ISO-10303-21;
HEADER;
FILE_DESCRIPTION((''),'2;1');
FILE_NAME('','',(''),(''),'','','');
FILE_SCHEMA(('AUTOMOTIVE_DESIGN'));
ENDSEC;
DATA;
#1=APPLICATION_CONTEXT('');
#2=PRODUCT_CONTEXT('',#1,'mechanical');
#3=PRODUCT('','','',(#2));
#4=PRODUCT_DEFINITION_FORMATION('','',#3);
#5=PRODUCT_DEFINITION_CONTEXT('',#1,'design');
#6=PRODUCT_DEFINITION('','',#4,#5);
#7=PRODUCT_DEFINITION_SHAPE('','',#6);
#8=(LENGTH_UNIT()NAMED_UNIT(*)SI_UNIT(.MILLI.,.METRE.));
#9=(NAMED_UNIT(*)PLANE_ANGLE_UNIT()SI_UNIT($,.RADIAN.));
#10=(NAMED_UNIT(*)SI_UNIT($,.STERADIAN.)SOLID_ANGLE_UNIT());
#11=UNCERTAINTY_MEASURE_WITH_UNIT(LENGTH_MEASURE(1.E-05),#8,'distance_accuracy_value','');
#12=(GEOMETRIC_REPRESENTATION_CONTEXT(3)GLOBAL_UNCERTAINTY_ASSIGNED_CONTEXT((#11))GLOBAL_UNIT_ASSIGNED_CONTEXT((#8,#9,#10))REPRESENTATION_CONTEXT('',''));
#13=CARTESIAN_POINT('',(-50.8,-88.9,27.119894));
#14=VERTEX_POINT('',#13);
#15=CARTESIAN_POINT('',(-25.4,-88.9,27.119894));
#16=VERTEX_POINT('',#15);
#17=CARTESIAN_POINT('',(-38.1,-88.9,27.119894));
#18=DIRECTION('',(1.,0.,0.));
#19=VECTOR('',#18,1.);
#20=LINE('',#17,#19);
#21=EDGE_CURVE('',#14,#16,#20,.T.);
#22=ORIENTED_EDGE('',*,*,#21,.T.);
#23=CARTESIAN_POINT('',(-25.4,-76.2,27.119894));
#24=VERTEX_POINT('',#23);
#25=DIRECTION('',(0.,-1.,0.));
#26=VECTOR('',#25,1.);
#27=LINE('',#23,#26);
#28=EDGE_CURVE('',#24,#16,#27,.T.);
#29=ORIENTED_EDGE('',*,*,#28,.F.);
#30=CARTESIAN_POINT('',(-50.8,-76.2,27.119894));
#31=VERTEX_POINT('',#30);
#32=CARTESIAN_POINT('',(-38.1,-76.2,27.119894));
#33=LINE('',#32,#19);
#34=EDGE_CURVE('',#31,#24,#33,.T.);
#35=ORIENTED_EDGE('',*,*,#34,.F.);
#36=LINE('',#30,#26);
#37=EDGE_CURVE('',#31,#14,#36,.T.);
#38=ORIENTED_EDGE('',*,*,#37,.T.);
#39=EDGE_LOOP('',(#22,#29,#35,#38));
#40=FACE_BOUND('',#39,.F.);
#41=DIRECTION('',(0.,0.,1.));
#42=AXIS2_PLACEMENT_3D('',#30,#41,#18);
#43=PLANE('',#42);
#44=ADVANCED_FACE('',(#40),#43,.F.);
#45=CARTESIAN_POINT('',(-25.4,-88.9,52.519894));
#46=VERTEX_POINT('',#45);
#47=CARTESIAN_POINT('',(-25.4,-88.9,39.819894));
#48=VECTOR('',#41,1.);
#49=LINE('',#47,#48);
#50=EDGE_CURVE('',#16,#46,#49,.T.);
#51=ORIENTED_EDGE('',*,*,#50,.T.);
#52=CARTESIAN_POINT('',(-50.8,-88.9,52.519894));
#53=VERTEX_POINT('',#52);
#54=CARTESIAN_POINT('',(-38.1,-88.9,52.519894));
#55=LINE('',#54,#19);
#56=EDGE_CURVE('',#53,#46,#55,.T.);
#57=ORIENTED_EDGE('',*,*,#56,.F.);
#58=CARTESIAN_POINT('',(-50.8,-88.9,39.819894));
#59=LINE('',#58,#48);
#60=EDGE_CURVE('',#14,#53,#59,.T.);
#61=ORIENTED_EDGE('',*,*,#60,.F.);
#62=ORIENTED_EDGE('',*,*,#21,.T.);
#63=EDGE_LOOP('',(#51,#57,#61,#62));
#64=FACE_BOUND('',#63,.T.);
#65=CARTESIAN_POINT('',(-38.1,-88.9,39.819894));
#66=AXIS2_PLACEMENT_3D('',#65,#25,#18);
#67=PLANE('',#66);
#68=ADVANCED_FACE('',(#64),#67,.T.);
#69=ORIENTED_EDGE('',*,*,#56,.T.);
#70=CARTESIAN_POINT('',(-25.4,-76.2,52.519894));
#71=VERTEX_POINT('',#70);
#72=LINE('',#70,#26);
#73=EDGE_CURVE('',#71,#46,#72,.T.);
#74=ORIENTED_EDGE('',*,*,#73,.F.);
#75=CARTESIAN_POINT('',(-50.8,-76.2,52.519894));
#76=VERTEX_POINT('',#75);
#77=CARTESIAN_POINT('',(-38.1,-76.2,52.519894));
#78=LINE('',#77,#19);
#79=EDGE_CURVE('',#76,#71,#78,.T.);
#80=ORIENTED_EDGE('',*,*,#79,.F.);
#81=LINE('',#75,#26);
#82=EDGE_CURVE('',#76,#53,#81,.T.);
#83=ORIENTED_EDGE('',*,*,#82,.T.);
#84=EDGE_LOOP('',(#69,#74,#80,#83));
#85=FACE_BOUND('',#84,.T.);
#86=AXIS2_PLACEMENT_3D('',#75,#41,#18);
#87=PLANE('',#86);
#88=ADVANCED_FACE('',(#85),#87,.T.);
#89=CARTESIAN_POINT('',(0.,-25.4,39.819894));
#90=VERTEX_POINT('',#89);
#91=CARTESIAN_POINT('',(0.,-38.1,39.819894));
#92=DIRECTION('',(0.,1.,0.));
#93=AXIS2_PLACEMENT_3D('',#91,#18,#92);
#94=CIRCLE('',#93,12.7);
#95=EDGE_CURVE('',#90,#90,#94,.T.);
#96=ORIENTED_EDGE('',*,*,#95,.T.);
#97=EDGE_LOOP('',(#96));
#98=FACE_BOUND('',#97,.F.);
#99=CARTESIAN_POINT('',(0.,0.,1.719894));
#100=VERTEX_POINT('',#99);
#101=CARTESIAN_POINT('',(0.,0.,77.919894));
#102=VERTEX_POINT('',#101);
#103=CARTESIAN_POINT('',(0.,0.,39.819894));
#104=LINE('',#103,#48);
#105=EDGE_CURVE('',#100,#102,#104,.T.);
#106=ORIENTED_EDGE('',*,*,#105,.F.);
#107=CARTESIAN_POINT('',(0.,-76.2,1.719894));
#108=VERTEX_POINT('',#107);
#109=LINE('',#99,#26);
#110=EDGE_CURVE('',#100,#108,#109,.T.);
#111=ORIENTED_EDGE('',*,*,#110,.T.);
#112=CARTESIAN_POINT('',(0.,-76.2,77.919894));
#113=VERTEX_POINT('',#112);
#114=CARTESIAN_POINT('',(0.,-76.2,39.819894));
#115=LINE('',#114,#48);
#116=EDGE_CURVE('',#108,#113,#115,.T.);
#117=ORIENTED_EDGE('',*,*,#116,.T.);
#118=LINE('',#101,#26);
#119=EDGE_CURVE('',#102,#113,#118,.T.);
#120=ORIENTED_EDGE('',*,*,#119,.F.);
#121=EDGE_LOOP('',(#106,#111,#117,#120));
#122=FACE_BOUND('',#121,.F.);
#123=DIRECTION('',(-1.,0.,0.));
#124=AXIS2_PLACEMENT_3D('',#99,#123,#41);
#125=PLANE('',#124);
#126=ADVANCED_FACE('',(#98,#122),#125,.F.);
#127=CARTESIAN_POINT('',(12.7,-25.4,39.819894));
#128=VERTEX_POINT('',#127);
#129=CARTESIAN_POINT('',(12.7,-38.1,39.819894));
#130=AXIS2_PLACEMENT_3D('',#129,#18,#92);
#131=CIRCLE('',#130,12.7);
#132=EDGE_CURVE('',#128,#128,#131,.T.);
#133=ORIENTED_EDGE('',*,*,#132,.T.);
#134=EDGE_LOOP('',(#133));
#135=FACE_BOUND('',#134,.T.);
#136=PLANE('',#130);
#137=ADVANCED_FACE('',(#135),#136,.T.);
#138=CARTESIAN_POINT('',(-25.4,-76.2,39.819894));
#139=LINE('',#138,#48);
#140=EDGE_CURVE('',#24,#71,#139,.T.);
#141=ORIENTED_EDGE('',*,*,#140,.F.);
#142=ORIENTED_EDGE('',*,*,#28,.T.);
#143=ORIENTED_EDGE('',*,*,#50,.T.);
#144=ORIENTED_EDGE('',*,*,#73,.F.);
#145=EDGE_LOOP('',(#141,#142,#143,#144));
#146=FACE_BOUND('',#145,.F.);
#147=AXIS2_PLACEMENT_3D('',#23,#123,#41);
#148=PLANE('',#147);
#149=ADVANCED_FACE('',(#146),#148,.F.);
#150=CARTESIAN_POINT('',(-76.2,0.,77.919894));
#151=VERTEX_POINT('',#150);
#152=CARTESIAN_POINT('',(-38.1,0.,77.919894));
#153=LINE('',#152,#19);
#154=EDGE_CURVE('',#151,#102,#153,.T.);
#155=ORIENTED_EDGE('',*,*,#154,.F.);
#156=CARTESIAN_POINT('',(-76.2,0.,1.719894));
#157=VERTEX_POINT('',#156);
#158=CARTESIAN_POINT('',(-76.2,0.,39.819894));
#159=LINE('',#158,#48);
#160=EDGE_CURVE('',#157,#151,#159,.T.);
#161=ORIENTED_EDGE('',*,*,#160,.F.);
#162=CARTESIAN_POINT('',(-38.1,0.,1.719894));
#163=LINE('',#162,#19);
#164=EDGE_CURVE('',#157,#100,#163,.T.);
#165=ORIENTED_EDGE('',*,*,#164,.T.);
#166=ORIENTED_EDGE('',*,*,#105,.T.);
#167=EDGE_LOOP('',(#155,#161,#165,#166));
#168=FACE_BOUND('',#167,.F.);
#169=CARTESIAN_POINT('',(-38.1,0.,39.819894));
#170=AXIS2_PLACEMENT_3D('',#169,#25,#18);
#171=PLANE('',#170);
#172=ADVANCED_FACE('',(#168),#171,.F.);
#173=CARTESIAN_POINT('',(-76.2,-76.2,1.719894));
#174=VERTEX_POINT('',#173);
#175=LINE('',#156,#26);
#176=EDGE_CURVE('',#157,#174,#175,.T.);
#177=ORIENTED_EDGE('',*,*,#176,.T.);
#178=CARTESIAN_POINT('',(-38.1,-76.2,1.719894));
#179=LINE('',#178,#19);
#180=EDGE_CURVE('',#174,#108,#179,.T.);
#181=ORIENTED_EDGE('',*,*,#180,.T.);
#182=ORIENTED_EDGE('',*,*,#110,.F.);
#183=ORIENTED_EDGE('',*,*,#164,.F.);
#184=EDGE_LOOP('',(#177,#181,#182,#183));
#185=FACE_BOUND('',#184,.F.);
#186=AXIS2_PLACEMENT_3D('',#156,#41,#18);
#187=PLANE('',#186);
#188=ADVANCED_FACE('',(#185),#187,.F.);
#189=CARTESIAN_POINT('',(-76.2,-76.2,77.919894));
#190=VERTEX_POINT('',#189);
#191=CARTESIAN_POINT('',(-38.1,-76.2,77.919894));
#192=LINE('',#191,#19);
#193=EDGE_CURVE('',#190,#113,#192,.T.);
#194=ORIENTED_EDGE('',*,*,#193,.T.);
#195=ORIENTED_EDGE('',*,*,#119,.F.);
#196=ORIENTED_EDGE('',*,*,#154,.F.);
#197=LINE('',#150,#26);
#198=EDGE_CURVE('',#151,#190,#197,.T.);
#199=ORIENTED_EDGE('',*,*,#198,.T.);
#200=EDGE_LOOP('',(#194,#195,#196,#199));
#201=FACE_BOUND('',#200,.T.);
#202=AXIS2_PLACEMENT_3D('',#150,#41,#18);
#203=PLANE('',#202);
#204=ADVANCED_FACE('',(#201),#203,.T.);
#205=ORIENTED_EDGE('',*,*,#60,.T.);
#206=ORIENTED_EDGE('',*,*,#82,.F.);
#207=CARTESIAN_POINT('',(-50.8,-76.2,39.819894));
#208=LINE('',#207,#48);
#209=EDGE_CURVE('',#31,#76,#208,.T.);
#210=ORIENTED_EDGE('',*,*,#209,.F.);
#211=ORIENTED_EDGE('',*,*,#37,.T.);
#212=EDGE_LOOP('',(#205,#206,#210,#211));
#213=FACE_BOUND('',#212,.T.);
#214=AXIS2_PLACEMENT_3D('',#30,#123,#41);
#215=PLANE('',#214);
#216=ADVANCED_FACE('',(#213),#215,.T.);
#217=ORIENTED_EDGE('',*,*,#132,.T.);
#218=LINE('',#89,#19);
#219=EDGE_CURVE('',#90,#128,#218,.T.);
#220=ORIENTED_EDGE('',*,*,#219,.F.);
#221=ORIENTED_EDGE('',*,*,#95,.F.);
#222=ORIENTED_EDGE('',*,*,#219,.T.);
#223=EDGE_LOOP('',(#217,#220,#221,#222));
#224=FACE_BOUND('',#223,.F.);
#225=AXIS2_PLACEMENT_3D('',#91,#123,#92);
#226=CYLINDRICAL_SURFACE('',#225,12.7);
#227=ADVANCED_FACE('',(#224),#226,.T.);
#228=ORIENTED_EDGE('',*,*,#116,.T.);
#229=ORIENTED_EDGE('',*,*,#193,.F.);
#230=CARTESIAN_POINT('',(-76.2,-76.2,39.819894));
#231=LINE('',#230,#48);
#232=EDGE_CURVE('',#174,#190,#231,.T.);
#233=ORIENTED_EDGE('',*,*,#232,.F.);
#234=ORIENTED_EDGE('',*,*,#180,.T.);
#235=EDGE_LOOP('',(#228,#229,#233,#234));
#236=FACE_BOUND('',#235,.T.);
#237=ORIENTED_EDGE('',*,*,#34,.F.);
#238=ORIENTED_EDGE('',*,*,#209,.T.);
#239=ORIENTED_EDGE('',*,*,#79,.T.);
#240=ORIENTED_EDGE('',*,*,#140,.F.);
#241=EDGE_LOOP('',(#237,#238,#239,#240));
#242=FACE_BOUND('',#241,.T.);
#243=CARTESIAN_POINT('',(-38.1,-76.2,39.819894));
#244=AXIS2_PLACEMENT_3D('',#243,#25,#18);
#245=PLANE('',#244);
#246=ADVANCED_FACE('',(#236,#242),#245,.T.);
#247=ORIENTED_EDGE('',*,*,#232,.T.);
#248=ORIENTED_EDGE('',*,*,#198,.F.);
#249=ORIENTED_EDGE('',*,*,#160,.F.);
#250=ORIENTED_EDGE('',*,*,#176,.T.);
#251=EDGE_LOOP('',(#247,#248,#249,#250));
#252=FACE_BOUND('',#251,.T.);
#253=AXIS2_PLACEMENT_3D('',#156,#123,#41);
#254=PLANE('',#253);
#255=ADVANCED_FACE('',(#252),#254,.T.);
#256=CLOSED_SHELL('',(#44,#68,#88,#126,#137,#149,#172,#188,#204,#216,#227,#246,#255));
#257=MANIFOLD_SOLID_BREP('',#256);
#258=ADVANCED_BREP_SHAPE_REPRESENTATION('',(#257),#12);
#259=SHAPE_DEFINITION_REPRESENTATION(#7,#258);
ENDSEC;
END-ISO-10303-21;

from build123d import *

# Parameters (mm, degrees)
F0_W     = 76.2
F0_H     = 76.2
F1_DEPTH = 76.2
F2_W     = 25.4
F2_H     = 25.4
F3_DEPTH = 12.7
F4_R     = 12.7
F5_DEPTH = 12.7


with BuildPart() as f1:
    # F0 (on Front) → F1 (new body)
    with BuildSketch(Plane.XZ):
        with Locations((-38.1, 39.819894)):
            Rectangle(F0_W, F0_H)
    extrude(amount=F1_DEPTH)

    # F2 (on face) → F3 (join)
    with BuildSketch(Plane.XZ.offset(76.2)):
        with Locations((-38.1, 39.819894)):
            Rectangle(F2_W, F2_H)
    extrude(amount=F3_DEPTH)

    # F4 (on face) → F5 (join)
    with BuildSketch(Plane.YZ):
        with Locations((-38.1, 39.819894)):
            Circle(F4_R)
    extrude(amount=F5_DEPTH)


solid = f1.part
